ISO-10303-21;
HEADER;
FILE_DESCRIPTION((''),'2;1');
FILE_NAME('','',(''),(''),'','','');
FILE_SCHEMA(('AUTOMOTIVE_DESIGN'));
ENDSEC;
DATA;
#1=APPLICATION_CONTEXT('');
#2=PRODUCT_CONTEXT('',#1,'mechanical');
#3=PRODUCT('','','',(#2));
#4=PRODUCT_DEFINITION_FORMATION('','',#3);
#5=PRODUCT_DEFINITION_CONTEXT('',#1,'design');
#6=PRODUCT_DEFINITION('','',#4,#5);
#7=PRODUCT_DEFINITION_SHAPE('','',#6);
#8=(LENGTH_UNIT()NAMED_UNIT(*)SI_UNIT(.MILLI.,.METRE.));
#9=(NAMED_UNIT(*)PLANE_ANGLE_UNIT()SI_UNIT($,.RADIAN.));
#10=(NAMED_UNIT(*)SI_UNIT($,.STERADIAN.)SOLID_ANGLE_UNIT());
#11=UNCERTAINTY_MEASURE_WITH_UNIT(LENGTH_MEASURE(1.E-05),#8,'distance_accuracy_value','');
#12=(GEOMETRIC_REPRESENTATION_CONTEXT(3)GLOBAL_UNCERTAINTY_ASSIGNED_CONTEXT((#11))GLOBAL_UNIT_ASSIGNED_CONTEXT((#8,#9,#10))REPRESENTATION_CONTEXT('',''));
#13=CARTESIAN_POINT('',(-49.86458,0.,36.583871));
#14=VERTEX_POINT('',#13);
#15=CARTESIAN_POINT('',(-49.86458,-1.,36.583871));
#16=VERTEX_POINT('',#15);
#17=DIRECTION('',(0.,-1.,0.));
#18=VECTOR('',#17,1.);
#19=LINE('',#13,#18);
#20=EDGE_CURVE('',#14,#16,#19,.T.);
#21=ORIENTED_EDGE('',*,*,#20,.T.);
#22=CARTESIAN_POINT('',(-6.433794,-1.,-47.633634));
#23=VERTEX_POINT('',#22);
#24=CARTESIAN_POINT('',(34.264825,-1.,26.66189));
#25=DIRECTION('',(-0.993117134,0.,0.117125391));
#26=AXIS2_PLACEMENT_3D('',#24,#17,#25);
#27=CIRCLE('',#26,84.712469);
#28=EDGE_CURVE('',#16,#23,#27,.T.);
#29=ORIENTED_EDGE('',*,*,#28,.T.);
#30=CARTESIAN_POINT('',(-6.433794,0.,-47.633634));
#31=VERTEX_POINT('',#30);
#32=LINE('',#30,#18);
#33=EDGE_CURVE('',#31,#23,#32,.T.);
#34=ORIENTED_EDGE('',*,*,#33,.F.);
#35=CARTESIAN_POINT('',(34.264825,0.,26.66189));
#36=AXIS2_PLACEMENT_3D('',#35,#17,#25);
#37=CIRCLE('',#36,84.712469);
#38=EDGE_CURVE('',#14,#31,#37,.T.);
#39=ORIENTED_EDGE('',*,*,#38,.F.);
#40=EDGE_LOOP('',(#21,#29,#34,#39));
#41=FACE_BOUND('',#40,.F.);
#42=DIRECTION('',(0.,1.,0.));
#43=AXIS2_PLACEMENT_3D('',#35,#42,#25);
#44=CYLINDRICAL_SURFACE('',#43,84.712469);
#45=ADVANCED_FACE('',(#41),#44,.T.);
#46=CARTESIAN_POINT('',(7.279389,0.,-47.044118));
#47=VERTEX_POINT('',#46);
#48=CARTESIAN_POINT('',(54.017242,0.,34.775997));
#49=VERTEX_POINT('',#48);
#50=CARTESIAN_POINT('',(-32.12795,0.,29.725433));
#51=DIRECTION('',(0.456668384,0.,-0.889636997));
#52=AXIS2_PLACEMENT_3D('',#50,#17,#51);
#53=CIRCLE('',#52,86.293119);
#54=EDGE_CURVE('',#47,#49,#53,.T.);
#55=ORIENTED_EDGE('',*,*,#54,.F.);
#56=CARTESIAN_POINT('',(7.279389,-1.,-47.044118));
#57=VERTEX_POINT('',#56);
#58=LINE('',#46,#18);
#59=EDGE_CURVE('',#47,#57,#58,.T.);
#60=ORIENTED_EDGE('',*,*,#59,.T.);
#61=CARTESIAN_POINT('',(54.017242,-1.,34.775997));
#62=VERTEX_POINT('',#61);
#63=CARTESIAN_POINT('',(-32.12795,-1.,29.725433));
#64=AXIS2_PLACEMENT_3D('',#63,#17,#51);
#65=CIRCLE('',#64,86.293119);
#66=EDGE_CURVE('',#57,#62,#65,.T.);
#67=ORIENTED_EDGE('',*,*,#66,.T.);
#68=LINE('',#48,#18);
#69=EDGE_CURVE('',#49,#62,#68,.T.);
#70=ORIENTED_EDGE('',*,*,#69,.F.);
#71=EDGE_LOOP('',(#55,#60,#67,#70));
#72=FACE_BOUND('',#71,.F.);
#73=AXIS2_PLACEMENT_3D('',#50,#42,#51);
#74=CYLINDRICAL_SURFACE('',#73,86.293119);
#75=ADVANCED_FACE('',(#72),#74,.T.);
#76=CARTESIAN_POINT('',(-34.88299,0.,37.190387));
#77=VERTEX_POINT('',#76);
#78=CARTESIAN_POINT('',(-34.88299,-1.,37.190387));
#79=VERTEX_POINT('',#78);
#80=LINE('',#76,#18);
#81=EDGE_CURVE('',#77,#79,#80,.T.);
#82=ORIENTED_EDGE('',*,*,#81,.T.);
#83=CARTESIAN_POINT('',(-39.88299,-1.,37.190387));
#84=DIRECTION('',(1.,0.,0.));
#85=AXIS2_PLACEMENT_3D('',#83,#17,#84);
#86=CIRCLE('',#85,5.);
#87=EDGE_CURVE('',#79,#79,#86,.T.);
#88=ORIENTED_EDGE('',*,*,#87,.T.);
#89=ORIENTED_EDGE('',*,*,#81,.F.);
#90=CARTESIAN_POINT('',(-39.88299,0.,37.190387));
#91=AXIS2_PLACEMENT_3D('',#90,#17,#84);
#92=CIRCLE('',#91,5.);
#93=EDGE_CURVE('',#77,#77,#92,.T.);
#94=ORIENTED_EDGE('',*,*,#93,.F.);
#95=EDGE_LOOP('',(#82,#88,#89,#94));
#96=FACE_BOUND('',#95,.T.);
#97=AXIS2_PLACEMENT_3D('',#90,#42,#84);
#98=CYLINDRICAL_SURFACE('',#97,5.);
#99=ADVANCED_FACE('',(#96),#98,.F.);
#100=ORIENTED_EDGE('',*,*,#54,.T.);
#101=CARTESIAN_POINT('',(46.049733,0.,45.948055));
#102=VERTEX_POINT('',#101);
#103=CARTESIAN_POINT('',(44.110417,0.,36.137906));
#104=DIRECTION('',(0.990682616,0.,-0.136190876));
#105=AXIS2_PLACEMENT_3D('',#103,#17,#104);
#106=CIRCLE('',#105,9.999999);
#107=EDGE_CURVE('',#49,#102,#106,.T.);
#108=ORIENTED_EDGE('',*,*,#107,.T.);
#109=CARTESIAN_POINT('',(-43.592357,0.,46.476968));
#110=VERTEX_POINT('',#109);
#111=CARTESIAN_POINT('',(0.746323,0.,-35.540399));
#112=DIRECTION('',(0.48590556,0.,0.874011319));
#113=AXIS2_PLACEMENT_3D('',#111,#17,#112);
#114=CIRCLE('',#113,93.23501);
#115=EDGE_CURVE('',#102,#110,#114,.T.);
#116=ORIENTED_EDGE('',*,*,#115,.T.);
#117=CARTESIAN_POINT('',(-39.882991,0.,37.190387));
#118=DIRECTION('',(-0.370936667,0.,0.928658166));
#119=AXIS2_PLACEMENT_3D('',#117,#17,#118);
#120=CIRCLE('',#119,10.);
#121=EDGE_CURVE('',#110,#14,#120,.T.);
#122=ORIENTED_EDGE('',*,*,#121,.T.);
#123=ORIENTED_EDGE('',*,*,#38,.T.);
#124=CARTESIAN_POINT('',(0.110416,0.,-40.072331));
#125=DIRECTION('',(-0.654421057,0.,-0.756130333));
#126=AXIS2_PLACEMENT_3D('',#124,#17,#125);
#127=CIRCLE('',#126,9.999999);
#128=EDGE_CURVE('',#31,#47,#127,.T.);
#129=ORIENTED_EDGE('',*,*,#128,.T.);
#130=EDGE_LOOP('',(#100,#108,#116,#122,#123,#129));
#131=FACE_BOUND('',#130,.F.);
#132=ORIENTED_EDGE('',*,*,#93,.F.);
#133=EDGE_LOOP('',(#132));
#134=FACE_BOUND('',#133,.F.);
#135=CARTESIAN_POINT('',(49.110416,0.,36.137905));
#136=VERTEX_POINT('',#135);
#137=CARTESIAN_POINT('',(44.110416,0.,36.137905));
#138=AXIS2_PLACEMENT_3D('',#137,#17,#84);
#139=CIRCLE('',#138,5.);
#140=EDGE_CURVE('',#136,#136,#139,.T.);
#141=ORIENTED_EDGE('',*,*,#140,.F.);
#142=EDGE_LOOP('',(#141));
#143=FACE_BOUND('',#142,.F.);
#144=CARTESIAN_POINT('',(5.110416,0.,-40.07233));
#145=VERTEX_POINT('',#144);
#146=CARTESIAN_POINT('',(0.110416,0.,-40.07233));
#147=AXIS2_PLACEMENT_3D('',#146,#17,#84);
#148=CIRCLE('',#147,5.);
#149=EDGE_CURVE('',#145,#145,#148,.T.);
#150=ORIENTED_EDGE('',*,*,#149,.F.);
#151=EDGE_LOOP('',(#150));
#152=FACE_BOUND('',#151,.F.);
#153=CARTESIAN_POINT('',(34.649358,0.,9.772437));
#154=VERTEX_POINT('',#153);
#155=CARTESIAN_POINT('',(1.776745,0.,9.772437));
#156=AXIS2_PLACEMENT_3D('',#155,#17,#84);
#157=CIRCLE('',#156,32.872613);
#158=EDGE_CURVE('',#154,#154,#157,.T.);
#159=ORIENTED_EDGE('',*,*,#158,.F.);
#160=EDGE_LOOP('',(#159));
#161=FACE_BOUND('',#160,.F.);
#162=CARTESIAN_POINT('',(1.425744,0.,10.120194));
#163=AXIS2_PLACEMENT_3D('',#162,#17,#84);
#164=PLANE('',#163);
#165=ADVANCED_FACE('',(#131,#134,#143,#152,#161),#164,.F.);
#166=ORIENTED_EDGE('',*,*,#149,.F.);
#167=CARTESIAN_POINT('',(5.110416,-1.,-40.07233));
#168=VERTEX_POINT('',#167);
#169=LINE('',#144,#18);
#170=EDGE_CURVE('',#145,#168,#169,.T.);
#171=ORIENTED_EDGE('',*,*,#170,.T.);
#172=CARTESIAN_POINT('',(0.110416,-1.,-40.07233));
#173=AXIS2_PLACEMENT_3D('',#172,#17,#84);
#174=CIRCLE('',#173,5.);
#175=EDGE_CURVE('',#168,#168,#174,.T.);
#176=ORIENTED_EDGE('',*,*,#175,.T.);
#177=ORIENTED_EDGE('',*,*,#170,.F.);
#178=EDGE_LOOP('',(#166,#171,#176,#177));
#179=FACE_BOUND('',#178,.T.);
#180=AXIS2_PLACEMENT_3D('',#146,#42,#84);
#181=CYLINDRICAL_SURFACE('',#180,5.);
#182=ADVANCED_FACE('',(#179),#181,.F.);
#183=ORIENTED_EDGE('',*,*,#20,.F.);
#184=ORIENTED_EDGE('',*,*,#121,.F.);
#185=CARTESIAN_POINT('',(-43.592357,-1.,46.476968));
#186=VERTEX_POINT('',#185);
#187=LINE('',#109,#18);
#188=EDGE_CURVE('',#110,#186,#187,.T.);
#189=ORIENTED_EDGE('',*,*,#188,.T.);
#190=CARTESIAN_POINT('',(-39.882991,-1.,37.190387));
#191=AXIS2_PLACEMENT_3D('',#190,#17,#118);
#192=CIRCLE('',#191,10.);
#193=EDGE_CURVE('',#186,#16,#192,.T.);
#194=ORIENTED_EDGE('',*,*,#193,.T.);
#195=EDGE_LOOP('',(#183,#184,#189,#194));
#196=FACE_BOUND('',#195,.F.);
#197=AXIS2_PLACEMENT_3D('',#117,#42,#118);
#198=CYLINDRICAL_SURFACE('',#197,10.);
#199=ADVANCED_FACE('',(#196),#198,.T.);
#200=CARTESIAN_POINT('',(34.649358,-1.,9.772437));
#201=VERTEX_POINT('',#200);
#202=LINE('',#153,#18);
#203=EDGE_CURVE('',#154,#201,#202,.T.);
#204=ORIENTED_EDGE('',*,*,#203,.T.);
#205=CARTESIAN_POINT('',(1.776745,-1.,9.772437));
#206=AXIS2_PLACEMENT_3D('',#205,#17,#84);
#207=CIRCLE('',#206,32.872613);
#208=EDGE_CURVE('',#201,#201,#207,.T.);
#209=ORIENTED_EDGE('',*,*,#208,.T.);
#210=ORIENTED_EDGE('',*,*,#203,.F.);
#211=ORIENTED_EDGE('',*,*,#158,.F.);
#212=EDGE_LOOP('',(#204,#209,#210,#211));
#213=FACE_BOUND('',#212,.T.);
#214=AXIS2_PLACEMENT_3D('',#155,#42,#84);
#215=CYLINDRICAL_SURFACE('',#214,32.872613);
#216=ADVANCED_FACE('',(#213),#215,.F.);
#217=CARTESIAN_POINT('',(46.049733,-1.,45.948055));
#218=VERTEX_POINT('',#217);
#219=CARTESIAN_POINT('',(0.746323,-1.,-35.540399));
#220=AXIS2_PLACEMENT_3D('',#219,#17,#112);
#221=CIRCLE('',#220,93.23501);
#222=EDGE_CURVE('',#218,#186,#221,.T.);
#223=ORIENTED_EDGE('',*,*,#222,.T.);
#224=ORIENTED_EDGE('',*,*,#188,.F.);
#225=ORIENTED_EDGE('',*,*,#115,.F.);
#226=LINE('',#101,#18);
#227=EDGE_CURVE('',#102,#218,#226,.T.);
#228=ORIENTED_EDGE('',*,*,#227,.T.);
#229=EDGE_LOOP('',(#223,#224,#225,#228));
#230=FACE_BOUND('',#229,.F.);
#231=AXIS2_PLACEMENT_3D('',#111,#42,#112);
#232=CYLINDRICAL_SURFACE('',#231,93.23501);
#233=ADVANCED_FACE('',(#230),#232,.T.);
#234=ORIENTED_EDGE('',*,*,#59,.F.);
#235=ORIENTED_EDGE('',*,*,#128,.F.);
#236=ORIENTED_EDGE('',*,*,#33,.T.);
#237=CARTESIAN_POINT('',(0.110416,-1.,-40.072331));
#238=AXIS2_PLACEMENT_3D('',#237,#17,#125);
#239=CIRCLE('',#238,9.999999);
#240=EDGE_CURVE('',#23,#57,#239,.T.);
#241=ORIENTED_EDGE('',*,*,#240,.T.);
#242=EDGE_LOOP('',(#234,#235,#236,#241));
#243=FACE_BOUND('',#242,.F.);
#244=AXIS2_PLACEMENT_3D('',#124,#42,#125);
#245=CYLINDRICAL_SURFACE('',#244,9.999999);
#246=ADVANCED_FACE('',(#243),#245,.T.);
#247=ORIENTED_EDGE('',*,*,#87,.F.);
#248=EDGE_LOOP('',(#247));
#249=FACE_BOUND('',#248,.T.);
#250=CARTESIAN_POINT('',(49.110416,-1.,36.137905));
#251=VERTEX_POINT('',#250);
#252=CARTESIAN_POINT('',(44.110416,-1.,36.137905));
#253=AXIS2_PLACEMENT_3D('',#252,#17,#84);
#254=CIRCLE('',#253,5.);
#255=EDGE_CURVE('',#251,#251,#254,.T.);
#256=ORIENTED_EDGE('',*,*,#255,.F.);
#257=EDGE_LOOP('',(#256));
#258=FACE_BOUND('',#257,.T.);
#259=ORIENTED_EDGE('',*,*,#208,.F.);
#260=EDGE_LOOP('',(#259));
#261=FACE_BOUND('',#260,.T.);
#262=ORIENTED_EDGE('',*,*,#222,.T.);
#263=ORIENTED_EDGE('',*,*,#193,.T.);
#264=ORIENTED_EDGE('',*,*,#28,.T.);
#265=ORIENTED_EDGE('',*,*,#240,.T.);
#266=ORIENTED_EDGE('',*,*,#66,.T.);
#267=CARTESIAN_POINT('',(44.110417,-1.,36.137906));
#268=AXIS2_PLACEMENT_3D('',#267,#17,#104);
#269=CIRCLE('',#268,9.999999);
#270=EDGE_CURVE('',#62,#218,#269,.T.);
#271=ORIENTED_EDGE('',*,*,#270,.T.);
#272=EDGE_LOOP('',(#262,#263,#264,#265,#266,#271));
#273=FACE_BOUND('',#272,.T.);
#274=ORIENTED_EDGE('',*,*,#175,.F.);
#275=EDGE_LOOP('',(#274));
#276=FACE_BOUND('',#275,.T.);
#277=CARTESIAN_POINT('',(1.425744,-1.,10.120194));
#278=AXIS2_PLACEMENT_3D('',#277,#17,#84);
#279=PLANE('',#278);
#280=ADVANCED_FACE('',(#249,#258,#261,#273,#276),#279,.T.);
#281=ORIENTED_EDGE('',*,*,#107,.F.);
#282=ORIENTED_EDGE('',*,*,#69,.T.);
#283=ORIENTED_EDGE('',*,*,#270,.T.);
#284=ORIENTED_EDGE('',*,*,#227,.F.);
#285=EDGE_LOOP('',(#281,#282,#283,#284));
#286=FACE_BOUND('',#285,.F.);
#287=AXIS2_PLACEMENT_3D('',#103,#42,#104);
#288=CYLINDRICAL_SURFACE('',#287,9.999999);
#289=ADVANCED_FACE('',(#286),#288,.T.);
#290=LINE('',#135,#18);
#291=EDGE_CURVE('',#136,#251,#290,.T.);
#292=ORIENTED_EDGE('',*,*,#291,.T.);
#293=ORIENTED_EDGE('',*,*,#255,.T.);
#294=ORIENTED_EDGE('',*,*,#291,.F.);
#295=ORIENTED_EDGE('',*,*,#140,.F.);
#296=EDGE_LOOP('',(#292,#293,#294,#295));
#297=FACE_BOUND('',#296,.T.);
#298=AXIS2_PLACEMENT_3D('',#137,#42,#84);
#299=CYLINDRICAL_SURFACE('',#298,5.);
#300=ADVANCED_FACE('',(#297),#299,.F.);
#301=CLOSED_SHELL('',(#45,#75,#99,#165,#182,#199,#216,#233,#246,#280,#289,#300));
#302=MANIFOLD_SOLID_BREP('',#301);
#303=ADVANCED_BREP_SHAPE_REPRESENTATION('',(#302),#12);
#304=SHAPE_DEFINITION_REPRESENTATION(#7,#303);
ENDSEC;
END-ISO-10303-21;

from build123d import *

# Parameters (mm, degrees)
F0_R     = 5
F0_R_2   = 32.872613
F1_DEPTH = 1


with BuildPart() as f1:
    # F0 (on Front) → F1 (new body)
    with BuildSketch(Plane.XZ):
        with BuildLine():
            ThreePointArc((46.049733, 45.948055), (1.296426, 57.692988), (-43.592357, 46.476968))
            ThreePointArc((-43.592357, 46.476968), (-48.328635, 42.544925), (-49.86458, 36.583871))
            ThreePointArc((-49.86458, 36.583871), (-41.025652, -12.165247), (-6.433794, -47.633634))
            ThreePointArc((-6.433794, -47.633634), (0.539909, -50.063103), (7.279389, -47.044118))
            ThreePointArc((7.279389, -47.044118), (42.801966, -13.076553), (54.017242, 34.775997))
            ThreePointArc((54.017242, 34.775997), (52.252068, 41.944238), (46.049733, 45.948055))
        make_face()
        with Locations((0.110416, -40.07233)):
            Circle(F0_R, mode=Mode.SUBTRACT)
        with Locations((1.776745, 9.772437)):
            Circle(F0_R_2, mode=Mode.SUBTRACT)
        with Locations((-39.88299, 37.190387)):
            Circle(F0_R, mode=Mode.SUBTRACT)
        with Locations((44.110416, 36.137905)):
            Circle(F0_R, mode=Mode.SUBTRACT)
    extrude(amount=F1_DEPTH)


solid = f1.part
